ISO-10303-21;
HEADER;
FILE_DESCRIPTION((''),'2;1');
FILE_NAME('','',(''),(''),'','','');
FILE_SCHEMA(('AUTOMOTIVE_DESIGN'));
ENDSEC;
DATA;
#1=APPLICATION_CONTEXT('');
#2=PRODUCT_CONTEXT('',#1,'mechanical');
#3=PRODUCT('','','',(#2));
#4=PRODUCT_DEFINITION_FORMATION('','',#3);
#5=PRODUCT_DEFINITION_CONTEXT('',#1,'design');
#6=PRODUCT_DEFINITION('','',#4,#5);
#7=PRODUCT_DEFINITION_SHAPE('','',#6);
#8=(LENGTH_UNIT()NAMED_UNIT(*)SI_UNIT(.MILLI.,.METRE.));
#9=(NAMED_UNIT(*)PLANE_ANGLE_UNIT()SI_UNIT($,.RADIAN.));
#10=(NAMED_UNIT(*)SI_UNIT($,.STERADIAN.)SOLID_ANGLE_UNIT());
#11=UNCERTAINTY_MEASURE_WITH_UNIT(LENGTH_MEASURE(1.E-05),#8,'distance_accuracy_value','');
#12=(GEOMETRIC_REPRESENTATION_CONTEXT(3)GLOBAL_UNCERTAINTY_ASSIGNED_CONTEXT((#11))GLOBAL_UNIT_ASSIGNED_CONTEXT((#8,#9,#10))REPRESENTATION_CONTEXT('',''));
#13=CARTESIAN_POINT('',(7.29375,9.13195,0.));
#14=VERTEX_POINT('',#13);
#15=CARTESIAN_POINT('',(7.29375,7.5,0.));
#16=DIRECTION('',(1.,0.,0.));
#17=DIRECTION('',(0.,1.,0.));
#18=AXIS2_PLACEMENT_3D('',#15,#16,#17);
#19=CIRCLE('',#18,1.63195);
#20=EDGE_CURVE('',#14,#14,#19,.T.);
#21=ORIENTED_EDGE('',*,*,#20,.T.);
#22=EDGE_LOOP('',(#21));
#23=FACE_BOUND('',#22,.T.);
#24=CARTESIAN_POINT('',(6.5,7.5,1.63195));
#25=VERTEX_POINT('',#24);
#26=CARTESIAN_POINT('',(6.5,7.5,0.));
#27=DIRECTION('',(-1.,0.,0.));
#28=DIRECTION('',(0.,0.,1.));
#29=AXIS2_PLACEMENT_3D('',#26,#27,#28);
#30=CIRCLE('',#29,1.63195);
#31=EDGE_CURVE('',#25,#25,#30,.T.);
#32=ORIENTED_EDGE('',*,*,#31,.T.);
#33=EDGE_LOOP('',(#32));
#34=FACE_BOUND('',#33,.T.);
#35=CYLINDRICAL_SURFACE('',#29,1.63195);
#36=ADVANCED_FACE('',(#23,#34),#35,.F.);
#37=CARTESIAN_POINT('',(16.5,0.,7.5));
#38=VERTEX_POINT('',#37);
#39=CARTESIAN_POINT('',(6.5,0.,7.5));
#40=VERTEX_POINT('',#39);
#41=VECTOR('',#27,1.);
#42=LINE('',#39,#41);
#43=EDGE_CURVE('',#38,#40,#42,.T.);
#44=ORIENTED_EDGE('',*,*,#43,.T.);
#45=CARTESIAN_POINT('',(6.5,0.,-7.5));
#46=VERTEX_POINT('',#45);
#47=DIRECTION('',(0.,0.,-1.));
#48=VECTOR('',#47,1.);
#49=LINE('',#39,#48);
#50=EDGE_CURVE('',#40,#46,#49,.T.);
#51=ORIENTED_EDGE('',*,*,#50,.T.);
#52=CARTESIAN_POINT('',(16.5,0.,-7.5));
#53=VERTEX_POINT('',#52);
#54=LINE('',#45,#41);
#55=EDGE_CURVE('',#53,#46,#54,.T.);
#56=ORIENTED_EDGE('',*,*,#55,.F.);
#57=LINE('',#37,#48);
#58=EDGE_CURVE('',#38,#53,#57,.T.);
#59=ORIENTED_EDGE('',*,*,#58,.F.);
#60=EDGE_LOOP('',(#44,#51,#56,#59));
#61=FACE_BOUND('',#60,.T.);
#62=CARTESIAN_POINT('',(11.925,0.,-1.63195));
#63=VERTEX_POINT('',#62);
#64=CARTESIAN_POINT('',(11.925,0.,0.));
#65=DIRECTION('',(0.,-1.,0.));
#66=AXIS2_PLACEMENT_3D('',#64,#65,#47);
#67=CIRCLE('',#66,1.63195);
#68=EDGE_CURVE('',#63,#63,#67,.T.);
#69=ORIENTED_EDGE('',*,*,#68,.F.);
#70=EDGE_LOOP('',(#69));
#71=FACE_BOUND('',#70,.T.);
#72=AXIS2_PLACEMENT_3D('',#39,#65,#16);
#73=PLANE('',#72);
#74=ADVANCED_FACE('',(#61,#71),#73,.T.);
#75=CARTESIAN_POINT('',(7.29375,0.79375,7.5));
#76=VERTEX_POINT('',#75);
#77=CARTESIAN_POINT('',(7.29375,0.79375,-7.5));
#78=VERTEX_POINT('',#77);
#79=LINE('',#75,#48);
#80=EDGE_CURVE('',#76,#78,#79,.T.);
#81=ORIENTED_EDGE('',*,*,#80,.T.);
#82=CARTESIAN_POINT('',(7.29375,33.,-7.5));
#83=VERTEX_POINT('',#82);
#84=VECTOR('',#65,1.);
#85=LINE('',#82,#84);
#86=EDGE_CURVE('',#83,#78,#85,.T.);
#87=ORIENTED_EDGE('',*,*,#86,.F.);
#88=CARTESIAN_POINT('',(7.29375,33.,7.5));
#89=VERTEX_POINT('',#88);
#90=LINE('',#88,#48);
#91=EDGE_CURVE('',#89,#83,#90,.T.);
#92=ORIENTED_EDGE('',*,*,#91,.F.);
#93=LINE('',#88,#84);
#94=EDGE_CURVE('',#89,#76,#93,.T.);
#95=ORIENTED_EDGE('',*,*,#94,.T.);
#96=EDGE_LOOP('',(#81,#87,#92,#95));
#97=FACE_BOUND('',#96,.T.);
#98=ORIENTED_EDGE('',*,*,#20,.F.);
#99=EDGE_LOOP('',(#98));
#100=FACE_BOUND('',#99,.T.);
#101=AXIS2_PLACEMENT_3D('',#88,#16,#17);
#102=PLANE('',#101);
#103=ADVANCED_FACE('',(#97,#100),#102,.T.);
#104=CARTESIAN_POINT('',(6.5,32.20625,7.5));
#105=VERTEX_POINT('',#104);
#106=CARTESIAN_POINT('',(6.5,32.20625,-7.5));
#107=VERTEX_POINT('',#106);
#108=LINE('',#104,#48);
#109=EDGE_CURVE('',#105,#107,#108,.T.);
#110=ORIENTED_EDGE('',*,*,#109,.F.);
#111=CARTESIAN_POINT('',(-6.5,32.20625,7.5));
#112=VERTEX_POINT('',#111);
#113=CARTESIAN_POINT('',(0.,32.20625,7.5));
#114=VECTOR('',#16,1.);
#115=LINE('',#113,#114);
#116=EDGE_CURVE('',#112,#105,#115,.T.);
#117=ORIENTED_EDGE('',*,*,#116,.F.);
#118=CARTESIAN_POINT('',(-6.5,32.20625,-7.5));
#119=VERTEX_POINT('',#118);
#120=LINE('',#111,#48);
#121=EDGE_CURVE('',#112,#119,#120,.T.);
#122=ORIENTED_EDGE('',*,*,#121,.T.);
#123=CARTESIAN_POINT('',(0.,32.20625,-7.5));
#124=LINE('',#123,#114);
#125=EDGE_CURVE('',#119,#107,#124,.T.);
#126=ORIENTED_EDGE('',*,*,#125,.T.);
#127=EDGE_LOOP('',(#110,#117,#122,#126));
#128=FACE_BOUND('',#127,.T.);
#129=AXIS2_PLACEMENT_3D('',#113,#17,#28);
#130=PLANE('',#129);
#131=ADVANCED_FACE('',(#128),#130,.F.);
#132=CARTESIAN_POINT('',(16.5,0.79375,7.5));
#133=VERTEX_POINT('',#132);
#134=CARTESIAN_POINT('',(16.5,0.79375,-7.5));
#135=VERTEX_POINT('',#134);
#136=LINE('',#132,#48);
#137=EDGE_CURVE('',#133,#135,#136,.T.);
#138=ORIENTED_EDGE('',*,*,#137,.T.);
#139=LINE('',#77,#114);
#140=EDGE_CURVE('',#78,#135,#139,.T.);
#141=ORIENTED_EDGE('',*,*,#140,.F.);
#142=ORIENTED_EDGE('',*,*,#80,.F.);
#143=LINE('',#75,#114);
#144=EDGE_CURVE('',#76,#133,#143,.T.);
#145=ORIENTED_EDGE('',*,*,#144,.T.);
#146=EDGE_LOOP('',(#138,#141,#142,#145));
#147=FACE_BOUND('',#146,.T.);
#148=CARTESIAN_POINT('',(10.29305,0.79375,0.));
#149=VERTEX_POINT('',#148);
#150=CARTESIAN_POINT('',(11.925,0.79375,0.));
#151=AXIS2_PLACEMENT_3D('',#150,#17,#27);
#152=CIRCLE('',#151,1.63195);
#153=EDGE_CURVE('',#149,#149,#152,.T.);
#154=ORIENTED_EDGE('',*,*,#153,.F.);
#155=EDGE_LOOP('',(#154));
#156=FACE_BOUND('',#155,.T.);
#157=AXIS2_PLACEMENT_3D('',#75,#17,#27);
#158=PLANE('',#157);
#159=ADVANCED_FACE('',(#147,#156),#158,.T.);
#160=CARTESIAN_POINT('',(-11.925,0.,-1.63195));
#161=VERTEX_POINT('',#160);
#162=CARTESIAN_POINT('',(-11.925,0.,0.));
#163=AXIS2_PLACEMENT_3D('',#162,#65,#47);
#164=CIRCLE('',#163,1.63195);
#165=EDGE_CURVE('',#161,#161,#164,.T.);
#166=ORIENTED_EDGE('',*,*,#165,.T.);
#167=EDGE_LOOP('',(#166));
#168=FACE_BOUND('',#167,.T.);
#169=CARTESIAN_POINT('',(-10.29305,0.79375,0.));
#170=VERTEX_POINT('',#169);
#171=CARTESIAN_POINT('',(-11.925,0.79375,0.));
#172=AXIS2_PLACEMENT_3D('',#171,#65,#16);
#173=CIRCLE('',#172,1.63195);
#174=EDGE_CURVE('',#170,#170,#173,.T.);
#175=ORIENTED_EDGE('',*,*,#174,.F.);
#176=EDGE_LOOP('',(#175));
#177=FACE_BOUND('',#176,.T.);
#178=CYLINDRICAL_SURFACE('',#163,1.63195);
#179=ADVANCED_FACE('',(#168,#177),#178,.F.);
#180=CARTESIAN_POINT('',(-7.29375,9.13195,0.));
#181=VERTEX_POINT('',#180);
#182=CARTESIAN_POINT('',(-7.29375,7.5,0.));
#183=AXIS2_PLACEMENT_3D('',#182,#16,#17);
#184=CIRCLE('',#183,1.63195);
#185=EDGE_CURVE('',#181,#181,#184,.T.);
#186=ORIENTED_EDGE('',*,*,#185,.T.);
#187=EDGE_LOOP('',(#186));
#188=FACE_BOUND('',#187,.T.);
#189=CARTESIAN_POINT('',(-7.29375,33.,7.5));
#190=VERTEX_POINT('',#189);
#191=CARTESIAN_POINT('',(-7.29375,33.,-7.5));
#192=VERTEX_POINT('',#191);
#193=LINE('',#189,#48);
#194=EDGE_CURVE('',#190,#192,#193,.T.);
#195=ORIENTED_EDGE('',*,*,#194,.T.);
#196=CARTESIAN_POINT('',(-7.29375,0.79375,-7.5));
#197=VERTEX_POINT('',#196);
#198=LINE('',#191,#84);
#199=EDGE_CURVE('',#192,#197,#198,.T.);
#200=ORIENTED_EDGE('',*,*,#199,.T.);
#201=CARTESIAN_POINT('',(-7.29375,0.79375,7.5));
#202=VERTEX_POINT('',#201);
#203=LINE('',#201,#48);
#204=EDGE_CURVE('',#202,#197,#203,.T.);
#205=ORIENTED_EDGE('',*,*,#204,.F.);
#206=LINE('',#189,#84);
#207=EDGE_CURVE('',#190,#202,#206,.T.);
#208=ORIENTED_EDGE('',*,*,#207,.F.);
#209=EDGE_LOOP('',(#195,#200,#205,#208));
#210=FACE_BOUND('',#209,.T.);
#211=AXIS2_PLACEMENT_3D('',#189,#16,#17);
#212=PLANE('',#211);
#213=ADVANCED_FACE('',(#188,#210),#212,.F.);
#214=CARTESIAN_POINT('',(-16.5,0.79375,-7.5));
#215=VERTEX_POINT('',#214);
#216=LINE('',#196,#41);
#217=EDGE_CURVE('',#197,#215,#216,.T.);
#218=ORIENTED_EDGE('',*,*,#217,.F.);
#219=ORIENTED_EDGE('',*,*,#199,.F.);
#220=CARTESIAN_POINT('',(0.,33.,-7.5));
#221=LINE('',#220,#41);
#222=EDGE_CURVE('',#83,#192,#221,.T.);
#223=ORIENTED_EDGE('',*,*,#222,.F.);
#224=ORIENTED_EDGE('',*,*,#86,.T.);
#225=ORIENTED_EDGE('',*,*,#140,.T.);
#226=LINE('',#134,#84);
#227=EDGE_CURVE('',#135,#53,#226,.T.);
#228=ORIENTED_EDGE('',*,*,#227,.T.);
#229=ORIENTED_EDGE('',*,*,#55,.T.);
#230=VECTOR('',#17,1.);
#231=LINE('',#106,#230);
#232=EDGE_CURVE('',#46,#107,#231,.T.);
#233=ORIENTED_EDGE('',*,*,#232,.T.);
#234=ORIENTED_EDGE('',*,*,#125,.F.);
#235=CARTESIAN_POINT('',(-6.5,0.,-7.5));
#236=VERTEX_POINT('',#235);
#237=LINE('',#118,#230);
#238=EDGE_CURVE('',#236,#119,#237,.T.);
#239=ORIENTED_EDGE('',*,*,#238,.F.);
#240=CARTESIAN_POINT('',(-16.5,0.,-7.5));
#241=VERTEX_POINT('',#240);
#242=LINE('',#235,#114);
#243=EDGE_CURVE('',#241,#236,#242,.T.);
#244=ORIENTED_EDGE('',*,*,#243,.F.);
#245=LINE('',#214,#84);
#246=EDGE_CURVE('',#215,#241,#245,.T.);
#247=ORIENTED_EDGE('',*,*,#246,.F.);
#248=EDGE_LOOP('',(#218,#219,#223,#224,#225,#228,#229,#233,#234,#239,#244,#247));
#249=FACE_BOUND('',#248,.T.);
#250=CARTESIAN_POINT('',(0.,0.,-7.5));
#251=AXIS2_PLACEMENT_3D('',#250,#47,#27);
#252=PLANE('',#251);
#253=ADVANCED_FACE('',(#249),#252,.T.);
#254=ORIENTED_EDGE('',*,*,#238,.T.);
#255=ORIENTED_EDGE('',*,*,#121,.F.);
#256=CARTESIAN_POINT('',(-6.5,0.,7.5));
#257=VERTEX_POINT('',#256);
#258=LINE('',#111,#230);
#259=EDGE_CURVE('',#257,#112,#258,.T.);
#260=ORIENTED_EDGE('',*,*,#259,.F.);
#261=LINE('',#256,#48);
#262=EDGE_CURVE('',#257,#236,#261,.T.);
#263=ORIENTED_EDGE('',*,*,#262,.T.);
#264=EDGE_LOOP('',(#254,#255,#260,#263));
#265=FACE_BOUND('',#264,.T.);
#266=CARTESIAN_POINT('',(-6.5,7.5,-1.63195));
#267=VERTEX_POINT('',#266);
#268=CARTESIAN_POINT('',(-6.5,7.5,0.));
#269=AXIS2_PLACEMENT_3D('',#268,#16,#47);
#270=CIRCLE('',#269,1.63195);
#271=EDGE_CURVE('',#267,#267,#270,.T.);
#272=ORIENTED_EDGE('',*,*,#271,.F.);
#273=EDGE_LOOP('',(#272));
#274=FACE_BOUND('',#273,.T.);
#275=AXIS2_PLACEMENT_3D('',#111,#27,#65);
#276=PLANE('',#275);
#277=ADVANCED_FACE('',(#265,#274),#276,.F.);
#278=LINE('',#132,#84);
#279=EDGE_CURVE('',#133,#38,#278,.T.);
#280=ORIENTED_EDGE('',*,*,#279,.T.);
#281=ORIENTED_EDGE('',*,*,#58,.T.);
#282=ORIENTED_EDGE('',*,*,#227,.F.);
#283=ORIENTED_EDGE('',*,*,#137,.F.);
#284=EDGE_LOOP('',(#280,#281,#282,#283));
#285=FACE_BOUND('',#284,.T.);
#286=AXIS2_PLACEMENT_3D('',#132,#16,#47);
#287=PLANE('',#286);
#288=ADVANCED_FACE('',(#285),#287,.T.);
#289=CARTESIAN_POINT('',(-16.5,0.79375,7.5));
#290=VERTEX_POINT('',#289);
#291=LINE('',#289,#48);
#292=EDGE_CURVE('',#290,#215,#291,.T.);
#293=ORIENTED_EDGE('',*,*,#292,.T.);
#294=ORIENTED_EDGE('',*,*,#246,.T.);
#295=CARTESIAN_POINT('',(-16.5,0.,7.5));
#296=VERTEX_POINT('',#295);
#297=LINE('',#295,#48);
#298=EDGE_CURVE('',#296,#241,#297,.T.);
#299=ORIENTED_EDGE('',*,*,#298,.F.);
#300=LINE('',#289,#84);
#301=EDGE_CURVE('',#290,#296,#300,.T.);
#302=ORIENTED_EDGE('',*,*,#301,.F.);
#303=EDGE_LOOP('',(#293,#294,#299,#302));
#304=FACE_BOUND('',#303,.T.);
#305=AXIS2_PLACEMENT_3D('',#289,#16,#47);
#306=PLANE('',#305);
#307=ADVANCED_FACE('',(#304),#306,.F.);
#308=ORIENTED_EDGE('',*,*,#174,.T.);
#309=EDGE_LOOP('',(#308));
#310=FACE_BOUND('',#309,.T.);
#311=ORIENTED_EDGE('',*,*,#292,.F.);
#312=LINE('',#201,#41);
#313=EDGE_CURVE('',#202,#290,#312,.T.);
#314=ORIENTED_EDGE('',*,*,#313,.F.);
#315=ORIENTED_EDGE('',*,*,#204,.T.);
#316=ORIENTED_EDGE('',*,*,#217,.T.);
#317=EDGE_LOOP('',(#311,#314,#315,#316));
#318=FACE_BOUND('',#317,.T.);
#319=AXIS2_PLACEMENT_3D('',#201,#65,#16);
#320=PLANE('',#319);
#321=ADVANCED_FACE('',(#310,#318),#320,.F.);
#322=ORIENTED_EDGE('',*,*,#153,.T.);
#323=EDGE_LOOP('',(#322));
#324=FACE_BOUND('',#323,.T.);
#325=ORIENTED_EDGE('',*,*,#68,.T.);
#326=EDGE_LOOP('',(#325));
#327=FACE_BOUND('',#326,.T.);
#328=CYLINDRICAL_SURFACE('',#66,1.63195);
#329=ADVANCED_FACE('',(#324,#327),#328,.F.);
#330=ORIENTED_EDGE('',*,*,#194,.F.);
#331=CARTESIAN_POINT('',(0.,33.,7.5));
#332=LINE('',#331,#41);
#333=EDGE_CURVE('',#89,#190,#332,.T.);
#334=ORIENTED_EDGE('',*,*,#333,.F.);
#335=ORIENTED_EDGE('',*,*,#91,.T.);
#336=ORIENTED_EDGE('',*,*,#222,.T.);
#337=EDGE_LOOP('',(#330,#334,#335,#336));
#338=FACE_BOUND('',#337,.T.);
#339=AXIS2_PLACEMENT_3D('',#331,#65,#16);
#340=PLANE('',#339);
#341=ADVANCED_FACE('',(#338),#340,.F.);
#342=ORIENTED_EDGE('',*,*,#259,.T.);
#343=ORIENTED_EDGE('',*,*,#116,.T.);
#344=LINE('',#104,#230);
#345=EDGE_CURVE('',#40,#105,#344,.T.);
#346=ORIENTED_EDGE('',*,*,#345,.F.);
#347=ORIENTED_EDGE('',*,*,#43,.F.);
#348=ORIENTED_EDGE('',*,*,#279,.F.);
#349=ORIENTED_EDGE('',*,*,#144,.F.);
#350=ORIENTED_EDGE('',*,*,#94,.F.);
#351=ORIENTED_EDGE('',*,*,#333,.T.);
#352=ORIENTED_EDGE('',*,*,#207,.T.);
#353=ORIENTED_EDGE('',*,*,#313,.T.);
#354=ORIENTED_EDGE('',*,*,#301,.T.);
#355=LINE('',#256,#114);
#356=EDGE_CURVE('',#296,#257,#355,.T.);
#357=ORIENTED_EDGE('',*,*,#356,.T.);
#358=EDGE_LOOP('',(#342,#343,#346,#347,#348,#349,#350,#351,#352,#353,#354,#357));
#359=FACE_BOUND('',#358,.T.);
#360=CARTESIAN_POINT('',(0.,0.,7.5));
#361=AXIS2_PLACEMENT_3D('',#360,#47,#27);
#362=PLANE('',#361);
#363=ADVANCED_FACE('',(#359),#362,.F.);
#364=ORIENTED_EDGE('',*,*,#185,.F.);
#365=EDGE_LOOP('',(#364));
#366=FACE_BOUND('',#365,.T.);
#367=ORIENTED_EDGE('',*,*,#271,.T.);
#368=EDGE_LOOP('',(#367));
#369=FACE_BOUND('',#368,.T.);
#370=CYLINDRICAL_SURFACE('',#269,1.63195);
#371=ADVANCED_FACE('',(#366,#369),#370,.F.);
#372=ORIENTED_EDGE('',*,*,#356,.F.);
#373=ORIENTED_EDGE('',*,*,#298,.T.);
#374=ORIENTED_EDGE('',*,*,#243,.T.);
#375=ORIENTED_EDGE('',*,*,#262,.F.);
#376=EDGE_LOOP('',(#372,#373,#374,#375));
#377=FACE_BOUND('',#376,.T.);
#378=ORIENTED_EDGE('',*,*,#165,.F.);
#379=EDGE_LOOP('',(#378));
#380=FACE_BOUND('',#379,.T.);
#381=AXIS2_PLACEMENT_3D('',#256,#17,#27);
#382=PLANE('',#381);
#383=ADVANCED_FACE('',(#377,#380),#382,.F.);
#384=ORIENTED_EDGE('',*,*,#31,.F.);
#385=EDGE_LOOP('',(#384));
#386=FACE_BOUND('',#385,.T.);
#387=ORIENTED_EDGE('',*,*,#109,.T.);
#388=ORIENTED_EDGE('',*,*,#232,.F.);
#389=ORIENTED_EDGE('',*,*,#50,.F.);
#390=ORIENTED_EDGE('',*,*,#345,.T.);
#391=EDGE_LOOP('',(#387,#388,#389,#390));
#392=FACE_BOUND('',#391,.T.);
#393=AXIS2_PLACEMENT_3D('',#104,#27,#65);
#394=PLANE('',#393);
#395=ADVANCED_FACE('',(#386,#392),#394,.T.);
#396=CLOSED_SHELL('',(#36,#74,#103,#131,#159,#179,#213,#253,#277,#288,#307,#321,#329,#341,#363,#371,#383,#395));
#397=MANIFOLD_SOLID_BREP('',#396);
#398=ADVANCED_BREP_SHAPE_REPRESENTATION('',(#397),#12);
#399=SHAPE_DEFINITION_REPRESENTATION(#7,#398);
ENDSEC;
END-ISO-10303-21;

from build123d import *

# Parameters (mm, degrees)
BOSS_EXTRUDE1_DEPTH   = 7.5
F_4_CLEARANCE_HOLE1_D = 3.2639
F_4_CLEARANCE_HOLE2_D = 3.2639


with BuildPart() as part:
    # Sketch1 → Boss-Extrude1 (new, symmetric)
    with BuildSketch(Plane.XY):
        Polygon((0, 32.20625), (-6.5, 32.20625), (-6.5, 0), (-16.5, 0), (-16.5, 0.79375), (-7.29375, 0.79375), (-7.29375, 33), (0, 33), align=None)
    boss_extrude1 = extrude(amount=BOSS_EXTRUDE1_DEPTH, both=True)

    # #4 Clearance Hole1 (through all)
    with Locations(Plane(origin=(-6.5, 0, 0), x_dir=(0, 0, -1), z_dir=(1, 0, 0))):
        with Locations((0, 7.5)):
            f_4_clearance_hole1 = Hole(F_4_CLEARANCE_HOLE1_D / 2)

    # Mirror1: Boss-Extrude1, #4 Clearance Hole1 across plane
    add(boss_extrude1.mirror(Plane(origin=(0, 0, 0), x_dir=(0, 0, 1), z_dir=(1, 0, 0))))
    add(f_4_clearance_hole1.mirror(Plane(origin=(0, 0, 0), x_dir=(0, 0, 1), z_dir=(1, 0, 0))), mode=Mode.SUBTRACT)

    # #4 Clearance Hole2 (through all)
    with Locations(Plane(origin=(0, 0, 0), x_dir=(-1, 0, 0), z_dir=(0, -1, 0))):
        with Locations((11.925, 0), (-11.925, 0)):
            Hole(F_4_CLEARANCE_HOLE2_D / 2)


solid = part.part
